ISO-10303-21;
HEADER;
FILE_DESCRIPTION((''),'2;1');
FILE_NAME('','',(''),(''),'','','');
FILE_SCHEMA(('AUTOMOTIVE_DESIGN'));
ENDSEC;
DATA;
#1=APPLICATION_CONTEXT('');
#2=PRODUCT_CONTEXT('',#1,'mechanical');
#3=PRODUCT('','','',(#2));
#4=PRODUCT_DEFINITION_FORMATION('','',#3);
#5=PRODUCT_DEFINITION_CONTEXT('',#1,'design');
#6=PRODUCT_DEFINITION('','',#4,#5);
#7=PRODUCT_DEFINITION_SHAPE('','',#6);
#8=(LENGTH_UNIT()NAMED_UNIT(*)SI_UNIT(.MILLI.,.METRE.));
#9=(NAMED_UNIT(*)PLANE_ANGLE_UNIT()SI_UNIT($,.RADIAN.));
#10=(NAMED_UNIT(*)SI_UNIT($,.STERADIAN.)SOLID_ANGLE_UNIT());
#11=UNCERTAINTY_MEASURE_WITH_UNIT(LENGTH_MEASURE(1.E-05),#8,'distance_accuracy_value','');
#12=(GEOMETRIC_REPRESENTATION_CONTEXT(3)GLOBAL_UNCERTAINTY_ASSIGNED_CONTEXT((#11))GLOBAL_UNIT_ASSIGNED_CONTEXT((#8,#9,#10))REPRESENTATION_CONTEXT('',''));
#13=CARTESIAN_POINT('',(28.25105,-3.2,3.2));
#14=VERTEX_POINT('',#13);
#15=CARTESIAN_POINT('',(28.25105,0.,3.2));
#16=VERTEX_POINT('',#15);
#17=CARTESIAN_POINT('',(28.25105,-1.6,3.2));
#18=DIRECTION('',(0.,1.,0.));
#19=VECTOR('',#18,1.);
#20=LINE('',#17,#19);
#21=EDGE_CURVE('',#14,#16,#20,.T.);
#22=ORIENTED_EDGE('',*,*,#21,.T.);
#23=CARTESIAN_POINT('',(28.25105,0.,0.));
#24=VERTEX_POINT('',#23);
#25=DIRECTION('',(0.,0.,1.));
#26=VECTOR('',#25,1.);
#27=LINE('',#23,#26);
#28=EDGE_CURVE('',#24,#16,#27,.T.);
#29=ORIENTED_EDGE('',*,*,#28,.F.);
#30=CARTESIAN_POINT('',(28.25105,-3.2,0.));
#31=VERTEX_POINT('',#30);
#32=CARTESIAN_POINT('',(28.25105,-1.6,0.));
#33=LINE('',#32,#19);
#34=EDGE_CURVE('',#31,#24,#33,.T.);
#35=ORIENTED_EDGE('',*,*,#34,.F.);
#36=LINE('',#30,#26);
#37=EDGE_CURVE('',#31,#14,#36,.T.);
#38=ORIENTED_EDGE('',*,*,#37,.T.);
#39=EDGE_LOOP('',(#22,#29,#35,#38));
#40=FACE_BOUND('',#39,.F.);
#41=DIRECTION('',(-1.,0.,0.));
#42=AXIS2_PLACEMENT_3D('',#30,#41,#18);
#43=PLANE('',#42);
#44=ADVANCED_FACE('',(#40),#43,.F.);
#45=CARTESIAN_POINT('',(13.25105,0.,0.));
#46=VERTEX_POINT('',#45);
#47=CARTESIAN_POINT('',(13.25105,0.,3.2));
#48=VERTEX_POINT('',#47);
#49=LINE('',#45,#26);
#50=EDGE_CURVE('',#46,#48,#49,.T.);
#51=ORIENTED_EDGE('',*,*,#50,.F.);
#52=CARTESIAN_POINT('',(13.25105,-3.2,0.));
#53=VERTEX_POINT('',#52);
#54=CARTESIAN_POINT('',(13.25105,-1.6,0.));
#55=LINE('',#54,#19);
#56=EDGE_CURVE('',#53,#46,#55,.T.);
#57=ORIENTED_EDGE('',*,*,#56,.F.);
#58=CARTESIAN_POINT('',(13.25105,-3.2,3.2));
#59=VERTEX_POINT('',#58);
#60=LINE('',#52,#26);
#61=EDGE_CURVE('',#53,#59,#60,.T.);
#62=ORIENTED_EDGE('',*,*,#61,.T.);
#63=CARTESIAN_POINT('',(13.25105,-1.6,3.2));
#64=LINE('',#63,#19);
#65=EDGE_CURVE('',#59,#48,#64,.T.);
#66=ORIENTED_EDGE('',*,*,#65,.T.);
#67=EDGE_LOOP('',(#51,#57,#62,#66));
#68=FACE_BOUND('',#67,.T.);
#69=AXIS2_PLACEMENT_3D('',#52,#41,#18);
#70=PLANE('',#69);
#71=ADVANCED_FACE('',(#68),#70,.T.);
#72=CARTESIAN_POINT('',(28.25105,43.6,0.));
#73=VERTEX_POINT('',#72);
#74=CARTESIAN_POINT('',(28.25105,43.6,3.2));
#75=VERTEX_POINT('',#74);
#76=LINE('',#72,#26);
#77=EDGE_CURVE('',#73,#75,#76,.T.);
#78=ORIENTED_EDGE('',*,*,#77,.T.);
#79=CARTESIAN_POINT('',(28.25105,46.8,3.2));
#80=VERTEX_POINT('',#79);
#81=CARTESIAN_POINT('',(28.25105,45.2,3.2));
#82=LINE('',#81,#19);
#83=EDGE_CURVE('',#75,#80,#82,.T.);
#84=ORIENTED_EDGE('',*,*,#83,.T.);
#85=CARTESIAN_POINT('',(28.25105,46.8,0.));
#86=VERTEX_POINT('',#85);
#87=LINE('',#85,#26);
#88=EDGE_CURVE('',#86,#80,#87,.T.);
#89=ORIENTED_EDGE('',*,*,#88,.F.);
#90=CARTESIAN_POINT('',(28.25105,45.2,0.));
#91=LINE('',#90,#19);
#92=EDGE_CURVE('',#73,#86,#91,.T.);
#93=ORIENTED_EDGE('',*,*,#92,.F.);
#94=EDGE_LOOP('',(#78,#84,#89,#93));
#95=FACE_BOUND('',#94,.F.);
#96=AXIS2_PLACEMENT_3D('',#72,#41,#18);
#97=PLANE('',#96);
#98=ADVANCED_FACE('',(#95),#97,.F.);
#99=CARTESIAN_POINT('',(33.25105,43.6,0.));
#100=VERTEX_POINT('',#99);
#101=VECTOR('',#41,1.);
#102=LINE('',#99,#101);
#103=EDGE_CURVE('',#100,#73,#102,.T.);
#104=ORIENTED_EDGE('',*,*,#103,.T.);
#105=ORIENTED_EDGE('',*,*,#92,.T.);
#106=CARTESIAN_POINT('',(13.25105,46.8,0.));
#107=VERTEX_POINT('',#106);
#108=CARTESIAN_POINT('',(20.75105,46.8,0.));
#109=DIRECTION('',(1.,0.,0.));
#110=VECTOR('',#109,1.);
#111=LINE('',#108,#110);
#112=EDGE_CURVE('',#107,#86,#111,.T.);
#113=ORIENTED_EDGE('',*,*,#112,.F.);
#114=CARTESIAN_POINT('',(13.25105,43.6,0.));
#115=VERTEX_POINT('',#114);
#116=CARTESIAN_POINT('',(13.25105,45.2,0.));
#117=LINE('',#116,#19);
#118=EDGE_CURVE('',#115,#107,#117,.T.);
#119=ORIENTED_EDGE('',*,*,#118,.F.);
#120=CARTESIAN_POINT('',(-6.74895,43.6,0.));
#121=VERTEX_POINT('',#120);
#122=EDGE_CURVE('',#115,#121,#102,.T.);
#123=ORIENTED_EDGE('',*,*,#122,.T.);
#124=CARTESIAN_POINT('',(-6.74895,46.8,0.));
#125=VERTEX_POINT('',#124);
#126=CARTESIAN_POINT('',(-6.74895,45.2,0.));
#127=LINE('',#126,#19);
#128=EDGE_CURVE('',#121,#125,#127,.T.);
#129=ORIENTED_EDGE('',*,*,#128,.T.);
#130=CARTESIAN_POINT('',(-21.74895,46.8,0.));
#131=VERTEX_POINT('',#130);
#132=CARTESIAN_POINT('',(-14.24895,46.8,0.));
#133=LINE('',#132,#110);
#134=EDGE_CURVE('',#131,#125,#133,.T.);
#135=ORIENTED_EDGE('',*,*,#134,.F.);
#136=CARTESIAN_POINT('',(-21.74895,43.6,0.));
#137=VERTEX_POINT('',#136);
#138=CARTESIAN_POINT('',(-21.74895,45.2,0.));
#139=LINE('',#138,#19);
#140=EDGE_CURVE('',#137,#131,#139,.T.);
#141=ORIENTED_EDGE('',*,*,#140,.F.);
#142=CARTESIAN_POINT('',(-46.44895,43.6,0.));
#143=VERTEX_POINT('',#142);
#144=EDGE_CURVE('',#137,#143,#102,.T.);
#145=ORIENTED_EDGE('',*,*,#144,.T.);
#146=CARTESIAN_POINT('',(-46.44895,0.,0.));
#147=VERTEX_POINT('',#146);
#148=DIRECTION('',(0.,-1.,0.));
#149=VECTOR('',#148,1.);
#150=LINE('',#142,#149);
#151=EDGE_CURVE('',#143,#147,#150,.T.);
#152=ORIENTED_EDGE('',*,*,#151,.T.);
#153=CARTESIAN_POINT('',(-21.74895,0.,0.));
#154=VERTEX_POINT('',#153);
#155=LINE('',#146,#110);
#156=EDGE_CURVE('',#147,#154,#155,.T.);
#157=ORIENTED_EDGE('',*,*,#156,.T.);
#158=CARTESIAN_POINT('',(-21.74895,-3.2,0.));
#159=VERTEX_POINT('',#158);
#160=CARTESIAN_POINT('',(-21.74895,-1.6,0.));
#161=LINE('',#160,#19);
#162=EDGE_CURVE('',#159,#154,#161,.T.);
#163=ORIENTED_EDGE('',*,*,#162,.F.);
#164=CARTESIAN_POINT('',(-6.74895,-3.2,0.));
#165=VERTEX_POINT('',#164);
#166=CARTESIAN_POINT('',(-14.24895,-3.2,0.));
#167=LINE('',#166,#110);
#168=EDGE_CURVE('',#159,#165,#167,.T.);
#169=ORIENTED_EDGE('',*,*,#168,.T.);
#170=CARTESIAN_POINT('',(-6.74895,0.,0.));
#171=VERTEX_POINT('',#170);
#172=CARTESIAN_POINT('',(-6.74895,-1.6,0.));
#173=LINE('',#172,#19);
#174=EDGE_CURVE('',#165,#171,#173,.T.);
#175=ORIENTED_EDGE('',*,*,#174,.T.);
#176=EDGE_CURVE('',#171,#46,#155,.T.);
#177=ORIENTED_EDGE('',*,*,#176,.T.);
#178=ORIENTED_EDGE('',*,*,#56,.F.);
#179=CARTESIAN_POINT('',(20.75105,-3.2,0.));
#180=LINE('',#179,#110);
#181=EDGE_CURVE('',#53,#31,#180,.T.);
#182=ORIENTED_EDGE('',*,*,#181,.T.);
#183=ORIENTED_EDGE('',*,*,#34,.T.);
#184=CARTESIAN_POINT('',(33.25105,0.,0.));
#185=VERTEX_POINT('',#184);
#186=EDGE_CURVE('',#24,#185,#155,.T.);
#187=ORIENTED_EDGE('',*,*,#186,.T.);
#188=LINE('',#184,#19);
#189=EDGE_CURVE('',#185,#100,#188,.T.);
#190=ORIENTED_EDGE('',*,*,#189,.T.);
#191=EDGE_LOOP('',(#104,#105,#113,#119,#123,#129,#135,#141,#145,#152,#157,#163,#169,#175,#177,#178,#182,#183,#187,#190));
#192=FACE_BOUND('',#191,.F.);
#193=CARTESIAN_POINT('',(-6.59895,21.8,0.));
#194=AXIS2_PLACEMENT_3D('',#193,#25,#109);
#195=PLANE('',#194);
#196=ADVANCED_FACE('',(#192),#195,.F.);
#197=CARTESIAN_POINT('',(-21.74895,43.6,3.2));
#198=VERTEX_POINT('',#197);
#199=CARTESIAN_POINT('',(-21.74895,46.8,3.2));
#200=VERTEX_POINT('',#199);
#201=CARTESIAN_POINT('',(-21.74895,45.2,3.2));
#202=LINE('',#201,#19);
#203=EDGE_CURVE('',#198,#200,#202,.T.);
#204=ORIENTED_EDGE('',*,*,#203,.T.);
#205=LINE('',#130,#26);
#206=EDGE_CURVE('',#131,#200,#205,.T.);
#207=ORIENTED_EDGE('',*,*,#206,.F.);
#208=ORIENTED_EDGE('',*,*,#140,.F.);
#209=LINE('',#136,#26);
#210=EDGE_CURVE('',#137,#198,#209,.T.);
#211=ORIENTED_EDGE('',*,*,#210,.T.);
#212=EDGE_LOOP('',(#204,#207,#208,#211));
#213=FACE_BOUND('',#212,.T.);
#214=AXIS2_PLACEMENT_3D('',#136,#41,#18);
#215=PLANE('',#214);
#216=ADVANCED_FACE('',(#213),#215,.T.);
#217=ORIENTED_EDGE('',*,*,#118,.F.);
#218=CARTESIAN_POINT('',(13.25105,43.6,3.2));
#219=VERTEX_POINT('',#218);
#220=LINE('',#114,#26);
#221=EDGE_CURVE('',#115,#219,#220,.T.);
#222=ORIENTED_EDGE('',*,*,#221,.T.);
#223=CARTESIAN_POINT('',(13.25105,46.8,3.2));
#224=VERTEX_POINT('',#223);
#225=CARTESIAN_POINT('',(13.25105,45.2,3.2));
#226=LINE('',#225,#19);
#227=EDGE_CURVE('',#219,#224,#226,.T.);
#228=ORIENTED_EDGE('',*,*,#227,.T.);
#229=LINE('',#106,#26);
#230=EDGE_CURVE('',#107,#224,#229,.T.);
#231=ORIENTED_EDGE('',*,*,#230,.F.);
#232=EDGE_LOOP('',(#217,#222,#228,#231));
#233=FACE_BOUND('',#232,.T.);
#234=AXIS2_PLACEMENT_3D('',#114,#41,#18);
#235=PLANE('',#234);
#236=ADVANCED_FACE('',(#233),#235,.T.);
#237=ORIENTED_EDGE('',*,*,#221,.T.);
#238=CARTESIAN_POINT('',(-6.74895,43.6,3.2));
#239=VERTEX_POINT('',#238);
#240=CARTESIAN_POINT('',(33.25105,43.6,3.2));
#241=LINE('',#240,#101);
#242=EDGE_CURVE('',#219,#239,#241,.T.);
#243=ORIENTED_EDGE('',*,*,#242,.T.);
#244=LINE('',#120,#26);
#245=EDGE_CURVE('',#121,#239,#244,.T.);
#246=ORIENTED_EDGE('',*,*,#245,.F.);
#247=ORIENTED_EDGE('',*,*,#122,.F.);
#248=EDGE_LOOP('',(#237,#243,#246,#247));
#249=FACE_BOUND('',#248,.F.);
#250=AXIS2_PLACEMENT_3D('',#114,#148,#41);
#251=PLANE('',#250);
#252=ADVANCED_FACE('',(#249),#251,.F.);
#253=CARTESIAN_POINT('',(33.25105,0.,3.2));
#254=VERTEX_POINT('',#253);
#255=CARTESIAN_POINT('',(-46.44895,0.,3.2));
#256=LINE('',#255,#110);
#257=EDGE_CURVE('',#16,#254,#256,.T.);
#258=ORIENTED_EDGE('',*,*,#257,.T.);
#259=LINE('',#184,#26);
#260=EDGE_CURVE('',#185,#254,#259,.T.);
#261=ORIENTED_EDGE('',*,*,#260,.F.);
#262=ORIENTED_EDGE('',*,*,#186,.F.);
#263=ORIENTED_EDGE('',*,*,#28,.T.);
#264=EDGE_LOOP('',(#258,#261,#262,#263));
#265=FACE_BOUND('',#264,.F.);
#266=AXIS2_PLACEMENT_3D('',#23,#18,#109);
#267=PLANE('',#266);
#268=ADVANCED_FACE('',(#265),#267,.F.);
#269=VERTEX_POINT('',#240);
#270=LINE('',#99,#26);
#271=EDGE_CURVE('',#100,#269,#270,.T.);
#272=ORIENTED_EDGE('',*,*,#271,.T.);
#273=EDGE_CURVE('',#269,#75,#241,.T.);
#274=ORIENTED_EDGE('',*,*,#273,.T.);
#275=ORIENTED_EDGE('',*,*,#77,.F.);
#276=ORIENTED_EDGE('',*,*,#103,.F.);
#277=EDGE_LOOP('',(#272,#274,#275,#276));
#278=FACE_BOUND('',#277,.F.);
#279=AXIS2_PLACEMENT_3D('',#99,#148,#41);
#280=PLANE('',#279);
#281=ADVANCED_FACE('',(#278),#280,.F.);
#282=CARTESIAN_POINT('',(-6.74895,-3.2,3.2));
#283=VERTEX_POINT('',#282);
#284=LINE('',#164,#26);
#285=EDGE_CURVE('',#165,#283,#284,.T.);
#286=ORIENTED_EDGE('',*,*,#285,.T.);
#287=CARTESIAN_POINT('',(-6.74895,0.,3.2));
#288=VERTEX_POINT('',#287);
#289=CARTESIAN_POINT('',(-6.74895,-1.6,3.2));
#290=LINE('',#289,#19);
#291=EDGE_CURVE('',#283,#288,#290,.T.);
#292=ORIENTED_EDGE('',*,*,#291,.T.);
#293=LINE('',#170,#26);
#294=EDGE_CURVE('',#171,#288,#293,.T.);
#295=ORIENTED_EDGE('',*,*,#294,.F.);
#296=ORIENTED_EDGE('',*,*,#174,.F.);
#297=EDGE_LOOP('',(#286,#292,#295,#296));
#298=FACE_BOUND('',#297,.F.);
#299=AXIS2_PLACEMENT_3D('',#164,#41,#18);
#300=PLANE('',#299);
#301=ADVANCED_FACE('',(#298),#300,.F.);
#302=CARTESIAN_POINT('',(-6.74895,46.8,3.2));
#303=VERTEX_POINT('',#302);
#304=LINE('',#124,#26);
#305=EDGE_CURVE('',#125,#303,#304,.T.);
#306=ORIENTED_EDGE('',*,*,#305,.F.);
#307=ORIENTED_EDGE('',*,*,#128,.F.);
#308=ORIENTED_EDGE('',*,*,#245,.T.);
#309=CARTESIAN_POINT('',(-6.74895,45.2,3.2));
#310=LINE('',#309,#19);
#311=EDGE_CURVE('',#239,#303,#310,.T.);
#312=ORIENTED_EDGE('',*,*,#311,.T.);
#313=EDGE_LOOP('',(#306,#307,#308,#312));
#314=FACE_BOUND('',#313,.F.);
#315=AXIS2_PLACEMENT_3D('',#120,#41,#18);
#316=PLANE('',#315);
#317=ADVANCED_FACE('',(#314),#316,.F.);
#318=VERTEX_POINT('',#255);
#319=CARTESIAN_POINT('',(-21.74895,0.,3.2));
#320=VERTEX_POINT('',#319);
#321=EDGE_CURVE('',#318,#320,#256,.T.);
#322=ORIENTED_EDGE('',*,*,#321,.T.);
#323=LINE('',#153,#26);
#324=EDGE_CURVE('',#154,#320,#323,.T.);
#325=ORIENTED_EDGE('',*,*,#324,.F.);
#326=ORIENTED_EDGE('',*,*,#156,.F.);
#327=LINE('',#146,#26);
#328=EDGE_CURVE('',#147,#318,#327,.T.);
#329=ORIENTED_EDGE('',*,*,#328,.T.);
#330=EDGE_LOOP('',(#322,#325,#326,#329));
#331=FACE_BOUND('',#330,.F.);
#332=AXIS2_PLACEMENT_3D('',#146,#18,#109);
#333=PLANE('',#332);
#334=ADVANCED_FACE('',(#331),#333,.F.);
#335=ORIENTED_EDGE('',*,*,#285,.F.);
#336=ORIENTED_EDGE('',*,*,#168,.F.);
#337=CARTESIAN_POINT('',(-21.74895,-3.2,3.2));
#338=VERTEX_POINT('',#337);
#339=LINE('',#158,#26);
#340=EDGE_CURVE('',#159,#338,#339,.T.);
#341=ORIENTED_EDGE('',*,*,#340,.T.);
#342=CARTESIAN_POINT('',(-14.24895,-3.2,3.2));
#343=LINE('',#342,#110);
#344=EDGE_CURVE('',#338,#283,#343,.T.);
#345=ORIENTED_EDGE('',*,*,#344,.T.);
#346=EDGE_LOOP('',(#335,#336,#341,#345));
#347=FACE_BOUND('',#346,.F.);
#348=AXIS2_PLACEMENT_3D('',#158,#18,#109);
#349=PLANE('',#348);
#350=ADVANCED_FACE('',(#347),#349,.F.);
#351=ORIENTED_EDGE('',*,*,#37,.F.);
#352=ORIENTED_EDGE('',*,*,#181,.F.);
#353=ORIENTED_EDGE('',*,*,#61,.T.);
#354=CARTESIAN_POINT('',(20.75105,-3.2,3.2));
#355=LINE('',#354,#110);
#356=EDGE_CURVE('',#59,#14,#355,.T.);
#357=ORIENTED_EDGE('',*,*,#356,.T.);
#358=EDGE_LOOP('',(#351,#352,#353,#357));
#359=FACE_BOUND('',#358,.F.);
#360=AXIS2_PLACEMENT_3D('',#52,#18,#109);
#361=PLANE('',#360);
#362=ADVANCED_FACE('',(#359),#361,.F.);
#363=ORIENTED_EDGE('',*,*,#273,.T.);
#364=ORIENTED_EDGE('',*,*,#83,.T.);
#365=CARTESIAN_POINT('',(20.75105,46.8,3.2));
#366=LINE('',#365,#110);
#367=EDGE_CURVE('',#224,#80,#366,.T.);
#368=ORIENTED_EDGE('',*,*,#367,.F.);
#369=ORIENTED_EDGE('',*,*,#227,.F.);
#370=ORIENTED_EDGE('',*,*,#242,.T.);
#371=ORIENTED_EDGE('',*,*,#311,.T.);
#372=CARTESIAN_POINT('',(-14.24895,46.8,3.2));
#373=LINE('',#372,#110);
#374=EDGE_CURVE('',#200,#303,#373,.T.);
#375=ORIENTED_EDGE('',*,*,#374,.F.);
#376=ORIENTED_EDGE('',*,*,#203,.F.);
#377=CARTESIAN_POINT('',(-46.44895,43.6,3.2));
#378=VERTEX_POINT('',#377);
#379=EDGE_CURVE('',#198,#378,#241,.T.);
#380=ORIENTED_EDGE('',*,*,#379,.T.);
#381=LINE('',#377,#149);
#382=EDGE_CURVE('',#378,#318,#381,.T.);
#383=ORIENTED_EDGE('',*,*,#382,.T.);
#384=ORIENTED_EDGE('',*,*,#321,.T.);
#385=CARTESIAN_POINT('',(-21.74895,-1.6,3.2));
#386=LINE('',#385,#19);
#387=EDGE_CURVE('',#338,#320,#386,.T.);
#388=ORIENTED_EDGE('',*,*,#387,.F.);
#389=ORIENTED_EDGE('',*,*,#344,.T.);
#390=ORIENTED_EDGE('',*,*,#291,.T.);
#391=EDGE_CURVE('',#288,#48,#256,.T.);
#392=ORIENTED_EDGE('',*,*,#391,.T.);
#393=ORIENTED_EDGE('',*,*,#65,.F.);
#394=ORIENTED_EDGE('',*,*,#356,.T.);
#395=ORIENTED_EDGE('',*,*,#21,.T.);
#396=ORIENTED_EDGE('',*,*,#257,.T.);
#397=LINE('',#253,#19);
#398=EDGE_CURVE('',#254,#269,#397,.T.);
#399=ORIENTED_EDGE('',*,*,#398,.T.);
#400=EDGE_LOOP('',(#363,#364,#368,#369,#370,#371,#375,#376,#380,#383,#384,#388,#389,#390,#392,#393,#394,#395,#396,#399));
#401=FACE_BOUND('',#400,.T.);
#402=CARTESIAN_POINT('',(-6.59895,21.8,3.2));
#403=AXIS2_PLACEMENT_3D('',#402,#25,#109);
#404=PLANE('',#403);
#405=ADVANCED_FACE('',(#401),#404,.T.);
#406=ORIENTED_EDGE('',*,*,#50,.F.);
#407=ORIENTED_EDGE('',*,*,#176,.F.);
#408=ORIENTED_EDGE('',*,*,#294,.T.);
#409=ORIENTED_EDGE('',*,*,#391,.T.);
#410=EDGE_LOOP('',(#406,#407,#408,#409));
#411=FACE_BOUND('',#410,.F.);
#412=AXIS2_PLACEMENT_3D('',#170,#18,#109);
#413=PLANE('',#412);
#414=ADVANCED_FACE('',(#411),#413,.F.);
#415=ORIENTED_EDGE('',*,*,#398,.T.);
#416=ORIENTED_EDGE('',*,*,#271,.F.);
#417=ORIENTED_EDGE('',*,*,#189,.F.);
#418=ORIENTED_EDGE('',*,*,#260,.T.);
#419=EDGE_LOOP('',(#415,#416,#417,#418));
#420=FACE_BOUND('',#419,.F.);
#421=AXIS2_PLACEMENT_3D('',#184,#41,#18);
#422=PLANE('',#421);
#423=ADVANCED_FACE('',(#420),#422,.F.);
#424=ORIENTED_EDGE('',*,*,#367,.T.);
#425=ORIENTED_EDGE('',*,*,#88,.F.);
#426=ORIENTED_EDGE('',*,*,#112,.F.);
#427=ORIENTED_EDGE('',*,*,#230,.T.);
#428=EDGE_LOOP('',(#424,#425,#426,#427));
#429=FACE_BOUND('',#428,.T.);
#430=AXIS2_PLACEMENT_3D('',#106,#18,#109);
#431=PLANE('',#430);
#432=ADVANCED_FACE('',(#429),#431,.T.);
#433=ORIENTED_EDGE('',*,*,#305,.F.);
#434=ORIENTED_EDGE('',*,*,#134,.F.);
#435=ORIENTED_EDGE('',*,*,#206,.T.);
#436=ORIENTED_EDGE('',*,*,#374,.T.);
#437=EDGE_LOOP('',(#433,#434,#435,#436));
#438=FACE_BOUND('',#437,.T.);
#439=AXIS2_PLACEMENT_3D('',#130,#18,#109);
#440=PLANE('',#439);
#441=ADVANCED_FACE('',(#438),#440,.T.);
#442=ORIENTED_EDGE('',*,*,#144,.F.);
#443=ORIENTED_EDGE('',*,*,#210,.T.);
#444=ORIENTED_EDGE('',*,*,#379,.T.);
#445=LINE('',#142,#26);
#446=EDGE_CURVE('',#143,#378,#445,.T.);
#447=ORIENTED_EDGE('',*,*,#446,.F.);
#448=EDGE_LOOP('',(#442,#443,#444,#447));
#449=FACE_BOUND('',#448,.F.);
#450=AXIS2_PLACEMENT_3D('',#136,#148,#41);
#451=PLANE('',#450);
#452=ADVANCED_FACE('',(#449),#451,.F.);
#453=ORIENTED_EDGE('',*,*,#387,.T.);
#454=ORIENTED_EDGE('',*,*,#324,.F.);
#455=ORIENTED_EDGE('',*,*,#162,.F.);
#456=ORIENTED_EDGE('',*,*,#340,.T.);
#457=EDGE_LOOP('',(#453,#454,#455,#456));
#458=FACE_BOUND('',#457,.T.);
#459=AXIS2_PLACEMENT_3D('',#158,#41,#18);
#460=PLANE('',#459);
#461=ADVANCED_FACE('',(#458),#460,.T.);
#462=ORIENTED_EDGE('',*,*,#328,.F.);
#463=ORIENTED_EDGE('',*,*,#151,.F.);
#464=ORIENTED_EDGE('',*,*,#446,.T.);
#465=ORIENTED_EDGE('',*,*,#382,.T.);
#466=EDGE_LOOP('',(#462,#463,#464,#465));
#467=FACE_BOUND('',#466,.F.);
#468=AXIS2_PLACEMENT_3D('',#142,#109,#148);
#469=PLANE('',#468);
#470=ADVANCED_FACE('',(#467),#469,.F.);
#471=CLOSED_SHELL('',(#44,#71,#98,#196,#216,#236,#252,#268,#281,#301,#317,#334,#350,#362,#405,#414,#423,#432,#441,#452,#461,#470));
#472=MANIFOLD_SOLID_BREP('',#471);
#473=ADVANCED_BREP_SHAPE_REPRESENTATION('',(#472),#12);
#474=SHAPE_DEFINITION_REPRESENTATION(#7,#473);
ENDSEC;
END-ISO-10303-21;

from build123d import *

# Parameters (mm, degrees)
F0_W     = 15
F0_H     = 3.2
F1_DEPTH = 3.2


with BuildPart() as f1:
    # F0 (on Top) → F1 (new body)
    with BuildSketch(Plane.XY):
        Polygon((28.25105, 0), (33.25105, 0), (33.25105, 43.6), (28.25105, 43.6), (13.25105, 43.6), (-6.74895, 43.6), (-21.74895, 43.6), (-46.44895, 43.6), (-46.44895, 0), (-21.74895, 0), (-6.74895, 0), (13.25105, 0), align=None)
        with Locations((20.75105, -1.6)):
            Rectangle(F0_W, F0_H)
        with Locations((20.75105, 45.2)):
            Rectangle(F0_W, F0_H)
        with Locations((-14.24895, -1.6)):
            Rectangle(F0_W, F0_H)
        with Locations((-14.24895, 45.2)):
            Rectangle(F0_W, F0_H)
    extrude(amount=F1_DEPTH)


solid = f1.part
